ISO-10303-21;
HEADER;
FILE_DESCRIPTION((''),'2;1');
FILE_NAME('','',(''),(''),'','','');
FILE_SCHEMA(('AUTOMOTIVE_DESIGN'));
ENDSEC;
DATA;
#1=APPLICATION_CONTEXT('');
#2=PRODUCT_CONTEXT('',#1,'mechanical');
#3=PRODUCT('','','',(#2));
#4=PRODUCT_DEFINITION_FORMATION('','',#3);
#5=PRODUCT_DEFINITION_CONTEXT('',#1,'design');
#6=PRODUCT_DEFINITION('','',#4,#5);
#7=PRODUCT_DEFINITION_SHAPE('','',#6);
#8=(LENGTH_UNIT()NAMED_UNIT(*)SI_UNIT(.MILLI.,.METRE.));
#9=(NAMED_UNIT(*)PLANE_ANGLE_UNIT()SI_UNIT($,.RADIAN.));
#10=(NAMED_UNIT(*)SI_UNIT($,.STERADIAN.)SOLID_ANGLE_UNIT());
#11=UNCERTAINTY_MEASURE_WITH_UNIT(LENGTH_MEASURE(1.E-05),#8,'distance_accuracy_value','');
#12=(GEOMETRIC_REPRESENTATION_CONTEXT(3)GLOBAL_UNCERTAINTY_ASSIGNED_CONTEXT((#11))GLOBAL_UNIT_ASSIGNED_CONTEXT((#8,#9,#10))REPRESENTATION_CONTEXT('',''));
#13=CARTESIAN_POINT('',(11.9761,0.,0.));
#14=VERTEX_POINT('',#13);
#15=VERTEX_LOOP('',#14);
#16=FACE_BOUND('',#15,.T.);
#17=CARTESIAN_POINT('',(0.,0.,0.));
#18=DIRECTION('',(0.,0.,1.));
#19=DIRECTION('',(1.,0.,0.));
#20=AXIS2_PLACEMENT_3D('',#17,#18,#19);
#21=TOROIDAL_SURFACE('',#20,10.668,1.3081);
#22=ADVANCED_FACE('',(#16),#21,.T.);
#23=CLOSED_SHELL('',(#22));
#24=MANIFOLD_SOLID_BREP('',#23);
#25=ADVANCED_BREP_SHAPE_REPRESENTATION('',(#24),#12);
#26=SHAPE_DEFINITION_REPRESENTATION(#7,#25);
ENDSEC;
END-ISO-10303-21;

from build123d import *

# Parameters (mm, degrees)
SKETCH1_R = 1.3081


with BuildPart() as part:
    # Sketch1 → Revolve1 (revolve)
    with BuildSketch(Plane(origin=(0, 0, 0), x_dir=(0, -1, 0), z_dir=(1, 0, 0))):
        with Locations((10.668, 0)):
            Circle(SKETCH1_R)
    revolve(axis=Axis((0, 0, 1.3081), (0, 0, -1)))


solid = part.part
